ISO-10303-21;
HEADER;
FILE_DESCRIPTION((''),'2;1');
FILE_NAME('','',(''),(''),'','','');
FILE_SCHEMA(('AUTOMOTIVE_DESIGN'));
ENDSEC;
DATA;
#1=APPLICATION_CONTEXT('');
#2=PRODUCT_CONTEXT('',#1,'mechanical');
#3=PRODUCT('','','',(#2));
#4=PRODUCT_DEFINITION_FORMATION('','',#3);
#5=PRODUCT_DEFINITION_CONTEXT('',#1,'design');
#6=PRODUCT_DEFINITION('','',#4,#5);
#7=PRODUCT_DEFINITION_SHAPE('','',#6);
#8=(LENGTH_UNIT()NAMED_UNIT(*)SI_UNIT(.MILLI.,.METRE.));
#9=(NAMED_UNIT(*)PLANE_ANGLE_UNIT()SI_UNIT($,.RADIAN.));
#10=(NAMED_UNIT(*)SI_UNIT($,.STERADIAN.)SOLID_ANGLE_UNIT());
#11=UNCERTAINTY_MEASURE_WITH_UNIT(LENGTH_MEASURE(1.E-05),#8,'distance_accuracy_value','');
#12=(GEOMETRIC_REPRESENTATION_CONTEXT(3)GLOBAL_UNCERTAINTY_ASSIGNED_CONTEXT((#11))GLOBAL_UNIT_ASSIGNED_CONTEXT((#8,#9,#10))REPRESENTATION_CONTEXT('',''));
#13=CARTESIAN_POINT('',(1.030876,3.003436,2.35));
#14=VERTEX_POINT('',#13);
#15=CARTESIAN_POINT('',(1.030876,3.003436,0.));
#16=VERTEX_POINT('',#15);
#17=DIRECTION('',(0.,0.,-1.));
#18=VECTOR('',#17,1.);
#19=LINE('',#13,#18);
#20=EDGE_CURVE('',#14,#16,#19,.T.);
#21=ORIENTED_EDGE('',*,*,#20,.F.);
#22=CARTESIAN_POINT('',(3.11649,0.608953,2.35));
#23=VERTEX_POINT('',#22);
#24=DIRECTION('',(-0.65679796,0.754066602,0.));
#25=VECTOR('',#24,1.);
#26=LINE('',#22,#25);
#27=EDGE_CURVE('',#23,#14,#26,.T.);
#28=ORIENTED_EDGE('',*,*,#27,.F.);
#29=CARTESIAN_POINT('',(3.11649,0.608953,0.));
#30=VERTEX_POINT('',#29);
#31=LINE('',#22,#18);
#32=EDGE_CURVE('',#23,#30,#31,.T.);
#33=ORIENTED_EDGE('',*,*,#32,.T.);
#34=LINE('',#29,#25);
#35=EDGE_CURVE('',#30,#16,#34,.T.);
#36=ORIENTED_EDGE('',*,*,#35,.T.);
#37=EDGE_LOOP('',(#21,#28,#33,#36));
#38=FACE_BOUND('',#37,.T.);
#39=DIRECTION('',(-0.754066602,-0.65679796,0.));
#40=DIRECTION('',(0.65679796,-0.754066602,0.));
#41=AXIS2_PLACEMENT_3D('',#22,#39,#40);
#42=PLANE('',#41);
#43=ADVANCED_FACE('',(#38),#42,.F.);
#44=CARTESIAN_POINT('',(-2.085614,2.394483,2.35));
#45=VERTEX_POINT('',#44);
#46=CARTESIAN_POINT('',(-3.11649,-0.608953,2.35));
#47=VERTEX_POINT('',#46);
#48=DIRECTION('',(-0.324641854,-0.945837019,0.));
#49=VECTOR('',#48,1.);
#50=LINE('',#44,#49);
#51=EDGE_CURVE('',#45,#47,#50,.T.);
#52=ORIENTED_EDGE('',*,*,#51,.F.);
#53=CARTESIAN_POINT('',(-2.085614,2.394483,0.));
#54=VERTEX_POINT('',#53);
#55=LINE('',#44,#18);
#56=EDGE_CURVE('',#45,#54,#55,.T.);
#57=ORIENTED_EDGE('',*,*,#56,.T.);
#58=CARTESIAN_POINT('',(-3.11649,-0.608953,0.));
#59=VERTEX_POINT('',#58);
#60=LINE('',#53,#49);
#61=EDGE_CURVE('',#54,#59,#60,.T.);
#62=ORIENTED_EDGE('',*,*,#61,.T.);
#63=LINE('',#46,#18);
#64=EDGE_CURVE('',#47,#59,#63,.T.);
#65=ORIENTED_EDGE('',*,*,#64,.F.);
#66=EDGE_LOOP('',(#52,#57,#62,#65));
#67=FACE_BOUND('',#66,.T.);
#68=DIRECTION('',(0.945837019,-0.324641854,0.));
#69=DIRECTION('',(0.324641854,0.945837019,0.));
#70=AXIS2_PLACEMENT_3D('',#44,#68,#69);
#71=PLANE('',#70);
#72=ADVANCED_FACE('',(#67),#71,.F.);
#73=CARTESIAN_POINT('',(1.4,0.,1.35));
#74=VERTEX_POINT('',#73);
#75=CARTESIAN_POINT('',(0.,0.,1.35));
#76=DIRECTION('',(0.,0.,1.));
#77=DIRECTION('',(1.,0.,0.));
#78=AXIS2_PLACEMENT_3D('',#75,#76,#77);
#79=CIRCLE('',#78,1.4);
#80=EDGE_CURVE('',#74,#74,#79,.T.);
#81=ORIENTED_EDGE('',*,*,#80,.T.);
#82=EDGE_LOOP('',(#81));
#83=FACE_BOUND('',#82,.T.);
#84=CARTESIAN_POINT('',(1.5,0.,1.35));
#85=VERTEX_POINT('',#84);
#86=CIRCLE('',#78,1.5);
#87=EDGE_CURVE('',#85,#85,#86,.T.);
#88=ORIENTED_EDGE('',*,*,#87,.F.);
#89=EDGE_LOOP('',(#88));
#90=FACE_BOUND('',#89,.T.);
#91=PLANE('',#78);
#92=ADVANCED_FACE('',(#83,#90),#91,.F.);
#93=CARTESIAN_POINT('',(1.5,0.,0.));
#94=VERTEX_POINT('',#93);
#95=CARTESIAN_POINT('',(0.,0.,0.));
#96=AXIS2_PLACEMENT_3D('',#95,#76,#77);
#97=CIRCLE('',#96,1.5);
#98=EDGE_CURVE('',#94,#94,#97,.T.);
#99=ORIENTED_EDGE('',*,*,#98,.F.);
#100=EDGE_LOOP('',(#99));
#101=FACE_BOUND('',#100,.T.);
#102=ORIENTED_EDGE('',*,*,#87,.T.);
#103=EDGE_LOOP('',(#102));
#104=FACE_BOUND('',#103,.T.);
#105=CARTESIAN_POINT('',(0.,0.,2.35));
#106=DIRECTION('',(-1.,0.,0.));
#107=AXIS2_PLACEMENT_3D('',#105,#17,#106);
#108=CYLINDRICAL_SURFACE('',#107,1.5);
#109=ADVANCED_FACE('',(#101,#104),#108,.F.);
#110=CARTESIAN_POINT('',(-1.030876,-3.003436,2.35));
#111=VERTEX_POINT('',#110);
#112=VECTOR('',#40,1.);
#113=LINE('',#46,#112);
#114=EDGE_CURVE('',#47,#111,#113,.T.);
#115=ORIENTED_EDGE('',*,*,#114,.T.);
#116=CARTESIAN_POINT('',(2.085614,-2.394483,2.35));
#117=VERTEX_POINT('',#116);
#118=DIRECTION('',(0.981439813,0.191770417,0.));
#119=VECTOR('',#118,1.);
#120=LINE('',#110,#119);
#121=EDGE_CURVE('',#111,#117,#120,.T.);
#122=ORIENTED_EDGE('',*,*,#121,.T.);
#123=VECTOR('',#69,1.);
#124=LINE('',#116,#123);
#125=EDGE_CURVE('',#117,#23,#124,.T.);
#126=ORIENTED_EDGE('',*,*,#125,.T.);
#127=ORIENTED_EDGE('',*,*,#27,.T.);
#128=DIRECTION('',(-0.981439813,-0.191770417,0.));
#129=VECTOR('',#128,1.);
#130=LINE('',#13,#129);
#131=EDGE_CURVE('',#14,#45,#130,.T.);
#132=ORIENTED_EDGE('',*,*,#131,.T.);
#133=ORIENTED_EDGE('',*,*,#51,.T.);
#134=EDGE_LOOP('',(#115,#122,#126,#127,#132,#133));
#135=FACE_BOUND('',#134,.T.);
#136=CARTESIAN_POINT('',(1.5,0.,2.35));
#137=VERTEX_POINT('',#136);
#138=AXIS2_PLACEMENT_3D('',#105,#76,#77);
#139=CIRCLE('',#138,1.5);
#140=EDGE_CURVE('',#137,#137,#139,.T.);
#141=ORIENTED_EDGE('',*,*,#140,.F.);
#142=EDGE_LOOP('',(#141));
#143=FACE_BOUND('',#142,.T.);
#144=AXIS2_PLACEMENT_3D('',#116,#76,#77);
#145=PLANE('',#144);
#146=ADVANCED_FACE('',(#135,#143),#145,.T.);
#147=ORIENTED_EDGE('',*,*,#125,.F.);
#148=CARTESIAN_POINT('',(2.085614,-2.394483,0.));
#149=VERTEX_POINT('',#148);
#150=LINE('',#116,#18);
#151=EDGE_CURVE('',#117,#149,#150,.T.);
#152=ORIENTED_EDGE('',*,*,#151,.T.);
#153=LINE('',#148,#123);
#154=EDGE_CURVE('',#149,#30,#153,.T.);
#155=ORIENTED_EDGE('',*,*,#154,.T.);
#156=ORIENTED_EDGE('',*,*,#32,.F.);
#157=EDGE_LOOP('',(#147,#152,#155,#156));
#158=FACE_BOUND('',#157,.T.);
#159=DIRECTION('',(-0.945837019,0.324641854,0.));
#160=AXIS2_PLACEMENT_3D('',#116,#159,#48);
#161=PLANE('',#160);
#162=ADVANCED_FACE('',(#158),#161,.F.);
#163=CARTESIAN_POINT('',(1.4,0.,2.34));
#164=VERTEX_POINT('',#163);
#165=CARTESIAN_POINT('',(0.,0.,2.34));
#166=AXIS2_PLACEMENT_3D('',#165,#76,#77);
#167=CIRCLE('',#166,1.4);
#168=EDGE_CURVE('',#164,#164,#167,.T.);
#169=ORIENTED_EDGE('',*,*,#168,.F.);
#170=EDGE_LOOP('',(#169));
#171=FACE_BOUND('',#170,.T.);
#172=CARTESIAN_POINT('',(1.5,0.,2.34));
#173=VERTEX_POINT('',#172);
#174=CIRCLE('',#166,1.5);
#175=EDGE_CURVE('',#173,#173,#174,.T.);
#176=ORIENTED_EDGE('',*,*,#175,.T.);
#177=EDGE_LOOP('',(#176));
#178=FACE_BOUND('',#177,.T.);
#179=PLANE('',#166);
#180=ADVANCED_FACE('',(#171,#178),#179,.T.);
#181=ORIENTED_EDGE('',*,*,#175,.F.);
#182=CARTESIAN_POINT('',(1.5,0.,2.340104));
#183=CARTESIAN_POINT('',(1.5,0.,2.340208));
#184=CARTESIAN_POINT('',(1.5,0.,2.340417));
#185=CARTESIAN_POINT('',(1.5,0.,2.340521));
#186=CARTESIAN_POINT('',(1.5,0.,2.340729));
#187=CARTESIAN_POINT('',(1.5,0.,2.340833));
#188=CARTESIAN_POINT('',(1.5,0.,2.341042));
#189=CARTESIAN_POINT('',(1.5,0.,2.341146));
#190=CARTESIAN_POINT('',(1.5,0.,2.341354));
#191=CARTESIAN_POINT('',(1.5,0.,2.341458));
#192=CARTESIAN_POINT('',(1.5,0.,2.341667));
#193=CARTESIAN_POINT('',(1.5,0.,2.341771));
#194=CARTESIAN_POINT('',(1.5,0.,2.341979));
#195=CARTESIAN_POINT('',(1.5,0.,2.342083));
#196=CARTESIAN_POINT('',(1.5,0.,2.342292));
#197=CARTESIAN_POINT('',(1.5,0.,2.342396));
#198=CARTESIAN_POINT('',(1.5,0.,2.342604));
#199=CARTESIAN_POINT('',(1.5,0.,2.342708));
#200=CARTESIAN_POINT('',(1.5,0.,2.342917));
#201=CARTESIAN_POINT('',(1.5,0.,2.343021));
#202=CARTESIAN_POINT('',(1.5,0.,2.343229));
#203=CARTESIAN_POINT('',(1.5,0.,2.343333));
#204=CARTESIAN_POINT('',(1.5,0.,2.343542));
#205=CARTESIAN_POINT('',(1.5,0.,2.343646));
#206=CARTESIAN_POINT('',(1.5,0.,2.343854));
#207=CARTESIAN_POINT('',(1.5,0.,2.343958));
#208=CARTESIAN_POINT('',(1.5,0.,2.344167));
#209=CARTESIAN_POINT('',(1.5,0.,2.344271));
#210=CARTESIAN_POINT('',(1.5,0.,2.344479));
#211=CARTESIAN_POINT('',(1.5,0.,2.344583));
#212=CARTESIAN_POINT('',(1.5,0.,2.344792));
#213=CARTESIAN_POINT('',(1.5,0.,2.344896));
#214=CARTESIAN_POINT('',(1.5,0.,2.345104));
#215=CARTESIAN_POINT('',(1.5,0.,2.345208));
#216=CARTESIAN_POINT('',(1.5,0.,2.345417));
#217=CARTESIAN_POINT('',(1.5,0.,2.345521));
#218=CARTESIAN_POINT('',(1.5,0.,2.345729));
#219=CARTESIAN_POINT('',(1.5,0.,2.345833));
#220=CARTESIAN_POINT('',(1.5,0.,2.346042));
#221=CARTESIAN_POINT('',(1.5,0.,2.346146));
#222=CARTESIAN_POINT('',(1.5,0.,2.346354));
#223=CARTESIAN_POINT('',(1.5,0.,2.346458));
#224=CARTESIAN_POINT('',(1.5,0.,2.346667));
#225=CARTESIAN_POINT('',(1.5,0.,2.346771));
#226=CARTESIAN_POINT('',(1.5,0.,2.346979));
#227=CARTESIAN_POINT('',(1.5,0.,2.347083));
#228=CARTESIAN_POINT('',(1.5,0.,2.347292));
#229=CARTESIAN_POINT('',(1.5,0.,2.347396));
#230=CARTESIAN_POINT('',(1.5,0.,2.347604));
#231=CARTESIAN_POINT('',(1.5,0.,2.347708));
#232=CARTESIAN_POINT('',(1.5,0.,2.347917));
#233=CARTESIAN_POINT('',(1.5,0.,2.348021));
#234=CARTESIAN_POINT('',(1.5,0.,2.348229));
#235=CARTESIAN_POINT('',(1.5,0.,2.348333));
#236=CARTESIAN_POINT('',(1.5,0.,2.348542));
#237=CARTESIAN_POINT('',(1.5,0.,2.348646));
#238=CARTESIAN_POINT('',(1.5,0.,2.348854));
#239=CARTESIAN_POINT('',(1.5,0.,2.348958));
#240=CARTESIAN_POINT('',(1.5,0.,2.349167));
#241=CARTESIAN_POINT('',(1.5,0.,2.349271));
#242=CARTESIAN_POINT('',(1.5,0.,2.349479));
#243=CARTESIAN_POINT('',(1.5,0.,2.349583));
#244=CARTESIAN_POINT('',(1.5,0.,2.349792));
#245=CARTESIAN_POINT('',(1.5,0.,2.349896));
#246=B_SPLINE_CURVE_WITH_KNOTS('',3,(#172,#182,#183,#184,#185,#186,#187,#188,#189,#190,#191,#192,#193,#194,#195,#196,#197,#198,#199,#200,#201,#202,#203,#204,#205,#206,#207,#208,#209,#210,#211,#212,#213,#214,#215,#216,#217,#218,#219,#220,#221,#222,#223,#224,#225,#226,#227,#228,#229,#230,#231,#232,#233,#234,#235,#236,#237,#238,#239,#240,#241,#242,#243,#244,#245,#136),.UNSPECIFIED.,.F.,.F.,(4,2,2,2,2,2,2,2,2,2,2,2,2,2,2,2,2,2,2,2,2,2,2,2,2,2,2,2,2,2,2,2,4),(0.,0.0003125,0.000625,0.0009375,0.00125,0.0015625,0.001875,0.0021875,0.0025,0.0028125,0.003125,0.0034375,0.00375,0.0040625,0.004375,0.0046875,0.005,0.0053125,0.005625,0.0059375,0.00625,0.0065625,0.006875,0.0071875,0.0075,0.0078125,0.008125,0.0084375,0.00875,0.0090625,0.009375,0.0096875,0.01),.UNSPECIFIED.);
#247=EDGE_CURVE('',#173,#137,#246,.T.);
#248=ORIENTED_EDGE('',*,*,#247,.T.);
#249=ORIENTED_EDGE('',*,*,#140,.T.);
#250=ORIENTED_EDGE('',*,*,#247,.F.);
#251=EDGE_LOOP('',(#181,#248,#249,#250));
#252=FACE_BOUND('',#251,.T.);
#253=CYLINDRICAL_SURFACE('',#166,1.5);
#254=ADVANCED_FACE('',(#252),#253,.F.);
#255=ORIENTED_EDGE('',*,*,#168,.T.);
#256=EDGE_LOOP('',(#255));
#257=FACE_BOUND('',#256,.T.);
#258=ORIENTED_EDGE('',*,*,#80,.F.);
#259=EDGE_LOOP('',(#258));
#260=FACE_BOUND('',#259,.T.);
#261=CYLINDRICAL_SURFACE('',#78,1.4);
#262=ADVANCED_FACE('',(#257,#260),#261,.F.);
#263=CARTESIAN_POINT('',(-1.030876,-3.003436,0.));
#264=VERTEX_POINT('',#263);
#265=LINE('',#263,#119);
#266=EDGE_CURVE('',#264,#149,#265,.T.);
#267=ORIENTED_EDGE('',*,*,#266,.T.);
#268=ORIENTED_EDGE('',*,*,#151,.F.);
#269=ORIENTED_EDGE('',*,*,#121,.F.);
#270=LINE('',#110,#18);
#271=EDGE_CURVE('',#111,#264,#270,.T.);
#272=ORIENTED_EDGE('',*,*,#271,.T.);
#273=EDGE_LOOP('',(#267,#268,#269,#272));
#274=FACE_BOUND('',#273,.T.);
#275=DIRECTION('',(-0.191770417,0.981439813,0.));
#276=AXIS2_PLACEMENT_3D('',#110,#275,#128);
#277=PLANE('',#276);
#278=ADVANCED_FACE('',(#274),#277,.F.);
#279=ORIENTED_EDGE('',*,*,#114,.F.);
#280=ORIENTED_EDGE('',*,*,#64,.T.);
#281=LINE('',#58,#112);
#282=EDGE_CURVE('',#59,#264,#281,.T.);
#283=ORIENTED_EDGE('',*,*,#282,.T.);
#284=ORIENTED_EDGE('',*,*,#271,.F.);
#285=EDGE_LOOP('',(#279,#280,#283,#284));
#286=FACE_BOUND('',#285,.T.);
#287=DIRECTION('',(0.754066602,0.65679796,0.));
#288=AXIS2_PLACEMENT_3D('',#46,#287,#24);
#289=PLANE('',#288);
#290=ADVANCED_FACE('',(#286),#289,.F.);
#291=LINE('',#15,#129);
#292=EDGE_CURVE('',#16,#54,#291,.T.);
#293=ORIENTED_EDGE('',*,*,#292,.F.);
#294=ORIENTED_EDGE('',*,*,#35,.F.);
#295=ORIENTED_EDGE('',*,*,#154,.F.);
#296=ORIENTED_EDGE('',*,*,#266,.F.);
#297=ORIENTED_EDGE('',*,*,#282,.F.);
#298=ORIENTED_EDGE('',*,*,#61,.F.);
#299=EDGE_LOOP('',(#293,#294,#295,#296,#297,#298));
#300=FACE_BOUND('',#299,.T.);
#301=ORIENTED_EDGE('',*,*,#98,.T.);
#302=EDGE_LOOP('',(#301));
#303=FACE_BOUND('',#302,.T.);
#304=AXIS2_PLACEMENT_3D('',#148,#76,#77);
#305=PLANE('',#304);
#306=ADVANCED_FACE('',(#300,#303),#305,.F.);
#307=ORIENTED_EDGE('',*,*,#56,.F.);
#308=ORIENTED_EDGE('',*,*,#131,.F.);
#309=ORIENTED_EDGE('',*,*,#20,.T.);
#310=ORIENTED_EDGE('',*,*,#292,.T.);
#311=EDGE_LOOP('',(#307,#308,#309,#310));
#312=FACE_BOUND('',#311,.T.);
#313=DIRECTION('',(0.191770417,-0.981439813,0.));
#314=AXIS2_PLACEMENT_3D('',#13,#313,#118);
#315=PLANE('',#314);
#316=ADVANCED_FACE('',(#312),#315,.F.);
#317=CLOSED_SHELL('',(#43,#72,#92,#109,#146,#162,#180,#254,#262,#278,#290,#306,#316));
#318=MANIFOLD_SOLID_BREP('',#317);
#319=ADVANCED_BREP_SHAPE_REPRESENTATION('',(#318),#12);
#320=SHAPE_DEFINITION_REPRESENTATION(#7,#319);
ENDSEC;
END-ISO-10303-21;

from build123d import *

# Parameters (mm, degrees)
SKETCH1_R           = 1.5
BOSS_EXTRUDE1_DEPTH = 2.35
BOSS_EXTRUDE2_START = -1
SKETCH2_R           = 1.5
SKETCH2_R_2         = 1.4
BOSS_EXTRUDE2_DEPTH = 1
CUT_EXTRUDE1_START  = -0.01
SKETCH3_R           = 1.5
SKETCH3_R_2         = 1.4
CUT_EXTRUDE1_DEPTH  = 0.01


with BuildPart() as part:
    # Sketch1 → Boss-Extrude1 (new body)
    with BuildSketch(Plane.XY):
        Polygon((2.085613633, -2.394483056), (3.116489972, 0.608952861), (1.030876339, 3.003435917), (-2.085613633, 2.394483056), (-3.116489972, -0.608952861), (-1.030876339, -3.003435917), align=None)
        Circle(SKETCH1_R, mode=Mode.SUBTRACT)
    extrude(amount=BOSS_EXTRUDE1_DEPTH)

    # Sketch2 → Boss-Extrude2 (add)
    with BuildSketch(Plane.XY.offset(2.35).offset(BOSS_EXTRUDE2_START)):
        Circle(SKETCH2_R)
        Circle(SKETCH2_R_2, mode=Mode.SUBTRACT)
    extrude(amount=BOSS_EXTRUDE2_DEPTH)

    # Sketch3 → Cut-Extrude1 (cut)
    with BuildSketch(Plane.XY.offset(2.35).offset(CUT_EXTRUDE1_START)):
        Circle(SKETCH3_R)
        Circle(SKETCH3_R_2, mode=Mode.SUBTRACT)
    extrude(amount=CUT_EXTRUDE1_DEPTH, mode=Mode.SUBTRACT)


solid = part.part
